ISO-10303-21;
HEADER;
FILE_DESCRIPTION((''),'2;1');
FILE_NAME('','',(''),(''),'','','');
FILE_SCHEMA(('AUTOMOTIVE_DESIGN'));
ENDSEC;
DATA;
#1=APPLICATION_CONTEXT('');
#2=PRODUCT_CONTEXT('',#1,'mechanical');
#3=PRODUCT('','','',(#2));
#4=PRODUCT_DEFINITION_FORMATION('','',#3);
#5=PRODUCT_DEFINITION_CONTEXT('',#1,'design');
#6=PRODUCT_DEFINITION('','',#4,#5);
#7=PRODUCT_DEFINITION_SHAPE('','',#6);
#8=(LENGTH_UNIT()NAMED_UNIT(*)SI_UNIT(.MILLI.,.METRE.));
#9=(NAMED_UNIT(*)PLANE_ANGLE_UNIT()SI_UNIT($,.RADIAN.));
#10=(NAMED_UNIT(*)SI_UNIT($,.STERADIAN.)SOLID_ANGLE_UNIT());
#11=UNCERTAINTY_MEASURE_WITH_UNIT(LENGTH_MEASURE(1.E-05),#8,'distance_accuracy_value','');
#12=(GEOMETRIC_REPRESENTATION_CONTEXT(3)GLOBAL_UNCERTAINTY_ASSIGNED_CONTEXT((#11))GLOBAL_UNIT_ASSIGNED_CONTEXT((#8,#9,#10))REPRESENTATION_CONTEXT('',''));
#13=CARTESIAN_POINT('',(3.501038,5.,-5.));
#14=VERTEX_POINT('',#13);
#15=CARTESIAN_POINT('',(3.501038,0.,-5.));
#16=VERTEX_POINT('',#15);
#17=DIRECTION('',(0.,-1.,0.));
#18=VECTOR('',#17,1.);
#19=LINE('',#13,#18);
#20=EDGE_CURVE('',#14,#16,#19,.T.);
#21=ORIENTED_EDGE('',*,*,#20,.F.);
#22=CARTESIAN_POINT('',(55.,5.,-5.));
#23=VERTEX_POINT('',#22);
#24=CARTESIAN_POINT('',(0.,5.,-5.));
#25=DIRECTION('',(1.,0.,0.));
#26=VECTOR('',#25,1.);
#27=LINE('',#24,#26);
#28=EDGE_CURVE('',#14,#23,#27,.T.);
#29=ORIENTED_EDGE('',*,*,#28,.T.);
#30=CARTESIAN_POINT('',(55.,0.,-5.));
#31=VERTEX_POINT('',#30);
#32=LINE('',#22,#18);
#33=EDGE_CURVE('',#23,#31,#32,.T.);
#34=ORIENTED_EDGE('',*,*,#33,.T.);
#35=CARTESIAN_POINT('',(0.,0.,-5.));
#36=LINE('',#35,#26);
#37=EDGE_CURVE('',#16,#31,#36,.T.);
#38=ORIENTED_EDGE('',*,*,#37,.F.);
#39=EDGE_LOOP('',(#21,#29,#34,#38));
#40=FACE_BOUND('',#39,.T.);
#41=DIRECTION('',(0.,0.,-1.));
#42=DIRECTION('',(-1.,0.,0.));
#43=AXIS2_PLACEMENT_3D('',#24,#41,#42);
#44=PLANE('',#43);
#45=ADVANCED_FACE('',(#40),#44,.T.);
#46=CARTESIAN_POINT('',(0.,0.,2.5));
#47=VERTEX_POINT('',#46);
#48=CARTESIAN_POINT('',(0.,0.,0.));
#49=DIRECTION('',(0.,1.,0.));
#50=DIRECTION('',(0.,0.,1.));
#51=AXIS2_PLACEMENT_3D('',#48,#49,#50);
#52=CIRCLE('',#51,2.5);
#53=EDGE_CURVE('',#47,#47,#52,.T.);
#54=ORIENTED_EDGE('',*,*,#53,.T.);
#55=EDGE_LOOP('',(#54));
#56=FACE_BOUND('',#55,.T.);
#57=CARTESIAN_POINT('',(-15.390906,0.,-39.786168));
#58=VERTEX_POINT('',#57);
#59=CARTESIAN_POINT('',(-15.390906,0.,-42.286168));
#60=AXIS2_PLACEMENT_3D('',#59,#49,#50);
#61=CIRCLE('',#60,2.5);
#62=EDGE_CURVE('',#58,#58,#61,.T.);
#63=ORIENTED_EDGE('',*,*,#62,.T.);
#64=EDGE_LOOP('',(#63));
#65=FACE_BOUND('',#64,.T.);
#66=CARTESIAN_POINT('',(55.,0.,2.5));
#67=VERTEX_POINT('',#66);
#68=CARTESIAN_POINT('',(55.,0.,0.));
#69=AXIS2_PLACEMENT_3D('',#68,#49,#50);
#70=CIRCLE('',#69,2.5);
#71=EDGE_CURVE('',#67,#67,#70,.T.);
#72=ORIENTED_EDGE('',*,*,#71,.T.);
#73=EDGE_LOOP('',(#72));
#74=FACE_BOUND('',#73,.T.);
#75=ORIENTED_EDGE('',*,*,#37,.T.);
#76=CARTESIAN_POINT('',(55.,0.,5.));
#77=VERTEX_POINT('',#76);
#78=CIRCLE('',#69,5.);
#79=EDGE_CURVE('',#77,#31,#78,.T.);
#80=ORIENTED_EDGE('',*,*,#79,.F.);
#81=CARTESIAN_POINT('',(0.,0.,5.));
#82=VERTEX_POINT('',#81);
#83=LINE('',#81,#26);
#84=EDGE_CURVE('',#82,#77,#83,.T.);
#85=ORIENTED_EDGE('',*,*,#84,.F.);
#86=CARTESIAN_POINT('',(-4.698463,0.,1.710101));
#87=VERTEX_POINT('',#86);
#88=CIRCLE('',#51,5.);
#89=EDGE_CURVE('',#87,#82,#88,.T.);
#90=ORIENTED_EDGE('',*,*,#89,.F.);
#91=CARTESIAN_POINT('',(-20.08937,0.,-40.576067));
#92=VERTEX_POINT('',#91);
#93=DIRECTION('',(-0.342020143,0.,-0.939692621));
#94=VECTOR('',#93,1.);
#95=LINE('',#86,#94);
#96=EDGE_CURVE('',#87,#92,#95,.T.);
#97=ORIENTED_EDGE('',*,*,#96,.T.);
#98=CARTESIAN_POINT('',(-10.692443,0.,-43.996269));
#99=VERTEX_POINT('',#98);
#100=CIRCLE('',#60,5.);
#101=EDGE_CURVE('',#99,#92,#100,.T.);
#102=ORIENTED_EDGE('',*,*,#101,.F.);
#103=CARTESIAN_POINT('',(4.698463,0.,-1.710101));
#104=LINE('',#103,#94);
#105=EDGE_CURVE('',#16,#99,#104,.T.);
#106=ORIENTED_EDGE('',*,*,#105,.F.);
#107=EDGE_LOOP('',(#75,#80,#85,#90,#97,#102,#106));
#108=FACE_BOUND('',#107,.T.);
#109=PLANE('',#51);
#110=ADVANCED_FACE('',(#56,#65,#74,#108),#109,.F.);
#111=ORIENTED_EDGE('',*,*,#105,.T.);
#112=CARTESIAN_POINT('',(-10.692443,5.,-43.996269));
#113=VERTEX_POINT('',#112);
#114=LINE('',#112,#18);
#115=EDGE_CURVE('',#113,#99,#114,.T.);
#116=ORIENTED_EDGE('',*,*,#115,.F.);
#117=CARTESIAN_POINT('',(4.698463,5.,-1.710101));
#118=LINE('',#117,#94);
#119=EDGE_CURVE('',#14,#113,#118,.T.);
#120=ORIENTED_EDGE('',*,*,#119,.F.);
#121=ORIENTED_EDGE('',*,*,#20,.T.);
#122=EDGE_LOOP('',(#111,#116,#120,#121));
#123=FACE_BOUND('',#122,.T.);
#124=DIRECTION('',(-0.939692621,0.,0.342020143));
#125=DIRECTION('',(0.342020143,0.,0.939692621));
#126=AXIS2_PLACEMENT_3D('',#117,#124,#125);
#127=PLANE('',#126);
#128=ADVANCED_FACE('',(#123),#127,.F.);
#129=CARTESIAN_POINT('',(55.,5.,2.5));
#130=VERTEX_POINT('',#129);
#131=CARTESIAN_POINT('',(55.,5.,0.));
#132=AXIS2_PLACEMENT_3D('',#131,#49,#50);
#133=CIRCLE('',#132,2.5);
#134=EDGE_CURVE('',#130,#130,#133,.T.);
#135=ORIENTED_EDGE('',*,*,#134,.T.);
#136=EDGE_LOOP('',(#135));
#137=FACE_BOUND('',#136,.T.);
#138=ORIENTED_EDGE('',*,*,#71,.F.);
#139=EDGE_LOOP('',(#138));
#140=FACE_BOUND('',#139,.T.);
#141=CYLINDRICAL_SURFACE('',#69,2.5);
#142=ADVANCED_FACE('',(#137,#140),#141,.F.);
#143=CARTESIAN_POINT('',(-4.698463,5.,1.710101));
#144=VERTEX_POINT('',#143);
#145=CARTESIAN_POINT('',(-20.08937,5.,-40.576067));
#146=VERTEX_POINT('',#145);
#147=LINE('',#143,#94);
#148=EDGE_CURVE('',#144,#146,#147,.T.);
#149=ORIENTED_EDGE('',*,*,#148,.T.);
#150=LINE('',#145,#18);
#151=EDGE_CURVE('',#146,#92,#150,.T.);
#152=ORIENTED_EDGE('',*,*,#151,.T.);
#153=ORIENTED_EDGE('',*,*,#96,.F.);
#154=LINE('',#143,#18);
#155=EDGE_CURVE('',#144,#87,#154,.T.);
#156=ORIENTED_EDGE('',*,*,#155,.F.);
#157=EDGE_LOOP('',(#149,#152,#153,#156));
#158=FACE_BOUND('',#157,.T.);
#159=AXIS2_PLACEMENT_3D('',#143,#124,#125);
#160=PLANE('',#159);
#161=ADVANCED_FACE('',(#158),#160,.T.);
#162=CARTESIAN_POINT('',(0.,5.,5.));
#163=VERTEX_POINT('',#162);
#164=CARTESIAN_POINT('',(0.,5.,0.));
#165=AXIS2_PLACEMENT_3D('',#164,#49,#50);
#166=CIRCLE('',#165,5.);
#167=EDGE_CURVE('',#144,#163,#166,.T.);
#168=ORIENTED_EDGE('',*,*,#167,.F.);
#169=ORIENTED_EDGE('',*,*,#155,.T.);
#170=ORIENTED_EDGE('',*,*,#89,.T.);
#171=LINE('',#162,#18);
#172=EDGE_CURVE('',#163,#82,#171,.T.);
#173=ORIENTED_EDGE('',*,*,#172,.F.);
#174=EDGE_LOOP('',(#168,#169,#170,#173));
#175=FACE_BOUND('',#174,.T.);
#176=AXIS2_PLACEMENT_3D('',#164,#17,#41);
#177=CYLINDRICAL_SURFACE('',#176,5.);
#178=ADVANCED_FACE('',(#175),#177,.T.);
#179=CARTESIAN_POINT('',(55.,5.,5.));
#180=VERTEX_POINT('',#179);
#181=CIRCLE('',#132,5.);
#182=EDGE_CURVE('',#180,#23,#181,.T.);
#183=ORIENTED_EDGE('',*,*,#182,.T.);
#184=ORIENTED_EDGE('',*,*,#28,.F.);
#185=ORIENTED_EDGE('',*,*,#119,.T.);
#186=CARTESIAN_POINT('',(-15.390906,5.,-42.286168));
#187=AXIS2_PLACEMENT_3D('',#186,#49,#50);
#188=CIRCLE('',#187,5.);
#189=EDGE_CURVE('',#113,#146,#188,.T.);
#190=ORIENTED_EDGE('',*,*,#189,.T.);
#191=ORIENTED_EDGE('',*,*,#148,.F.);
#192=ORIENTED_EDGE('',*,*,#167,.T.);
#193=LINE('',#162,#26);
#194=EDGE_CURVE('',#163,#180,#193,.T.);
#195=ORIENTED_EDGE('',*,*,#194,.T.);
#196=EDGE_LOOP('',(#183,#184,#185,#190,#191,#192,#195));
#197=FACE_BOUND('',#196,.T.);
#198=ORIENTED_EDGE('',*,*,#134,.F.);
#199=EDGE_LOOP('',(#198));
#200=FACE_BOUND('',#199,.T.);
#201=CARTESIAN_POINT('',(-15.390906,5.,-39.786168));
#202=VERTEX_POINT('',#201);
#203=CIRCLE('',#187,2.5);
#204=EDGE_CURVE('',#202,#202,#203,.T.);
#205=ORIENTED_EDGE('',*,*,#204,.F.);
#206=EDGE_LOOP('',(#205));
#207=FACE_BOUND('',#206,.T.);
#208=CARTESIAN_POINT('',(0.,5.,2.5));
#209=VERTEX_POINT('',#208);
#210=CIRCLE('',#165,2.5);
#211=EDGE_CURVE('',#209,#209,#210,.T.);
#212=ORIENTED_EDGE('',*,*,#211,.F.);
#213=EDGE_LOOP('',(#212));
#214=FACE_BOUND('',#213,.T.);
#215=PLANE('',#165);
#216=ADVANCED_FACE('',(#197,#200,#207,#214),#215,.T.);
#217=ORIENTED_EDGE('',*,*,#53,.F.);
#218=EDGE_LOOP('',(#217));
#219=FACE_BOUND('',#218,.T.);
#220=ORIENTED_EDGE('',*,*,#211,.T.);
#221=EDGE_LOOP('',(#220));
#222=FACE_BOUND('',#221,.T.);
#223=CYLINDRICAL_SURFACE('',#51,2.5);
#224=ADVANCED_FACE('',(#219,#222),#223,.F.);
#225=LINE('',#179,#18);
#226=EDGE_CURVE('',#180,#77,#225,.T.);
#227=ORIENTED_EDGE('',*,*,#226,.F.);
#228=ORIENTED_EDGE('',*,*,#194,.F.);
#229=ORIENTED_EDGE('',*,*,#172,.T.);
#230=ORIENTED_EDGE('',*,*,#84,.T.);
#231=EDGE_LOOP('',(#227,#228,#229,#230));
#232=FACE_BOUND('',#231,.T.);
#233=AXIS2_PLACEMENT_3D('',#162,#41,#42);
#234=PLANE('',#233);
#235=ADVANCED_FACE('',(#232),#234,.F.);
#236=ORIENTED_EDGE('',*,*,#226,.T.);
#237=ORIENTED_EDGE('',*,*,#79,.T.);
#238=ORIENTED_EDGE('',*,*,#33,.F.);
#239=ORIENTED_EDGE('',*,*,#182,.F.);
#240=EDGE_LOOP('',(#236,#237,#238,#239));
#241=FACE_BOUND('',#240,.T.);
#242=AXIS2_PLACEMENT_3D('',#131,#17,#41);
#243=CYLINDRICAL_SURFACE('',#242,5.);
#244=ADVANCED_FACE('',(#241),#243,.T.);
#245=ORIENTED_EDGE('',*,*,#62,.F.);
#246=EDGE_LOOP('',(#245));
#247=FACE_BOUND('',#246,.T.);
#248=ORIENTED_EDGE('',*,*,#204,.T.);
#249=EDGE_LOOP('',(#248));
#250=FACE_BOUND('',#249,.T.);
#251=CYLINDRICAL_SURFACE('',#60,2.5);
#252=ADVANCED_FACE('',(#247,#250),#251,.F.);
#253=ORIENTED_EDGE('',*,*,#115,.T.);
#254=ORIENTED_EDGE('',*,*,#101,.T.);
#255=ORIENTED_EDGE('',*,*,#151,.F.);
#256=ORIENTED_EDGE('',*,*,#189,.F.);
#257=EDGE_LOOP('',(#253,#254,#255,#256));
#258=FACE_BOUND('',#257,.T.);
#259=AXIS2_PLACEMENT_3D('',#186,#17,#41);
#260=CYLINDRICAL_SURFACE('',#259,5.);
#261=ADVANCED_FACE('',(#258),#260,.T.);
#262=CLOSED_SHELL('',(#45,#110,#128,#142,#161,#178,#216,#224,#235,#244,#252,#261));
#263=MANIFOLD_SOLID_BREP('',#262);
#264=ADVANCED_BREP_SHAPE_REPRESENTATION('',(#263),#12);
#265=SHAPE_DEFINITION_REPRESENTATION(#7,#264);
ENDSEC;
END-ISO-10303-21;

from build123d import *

# Parameters (mm, degrees)
BOSS_EXTRU_1_DEPTH      = 5
ESQUISSE3_R             = 2.5
ENL_V_MAT_EXTRU_1_DEPTH = 5
ESQUISSE4_R             = 2.5
ENL_V_MAT_EXTRU_2_DEPTH = 5


with BuildPart() as part:
    # Esquisse2 → Boss.-Extru.1 (new body)
    with BuildSketch(Plane(origin=(0, 0, 0), x_dir=(1, 0, 0), z_dir=(0, 1, 0))):
        with BuildLine():
            ThreePointArc((-4.698463104, -1.710100717), (-4.095760221, 2.867882182), (0, 5))
            Line((0, 5), (3.501037691, 5))
            Line((3.501037691, 5), (-10.692443346, 43.996268652))
            ThreePointArc((-10.692443346, 43.996268652), (-17.101007166, 46.984631039), (-20.089369554, 40.576067219))
            Line((-20.089369554, 40.576067219), (-4.698463104, -1.710100717))
        make_face()
        with BuildLine():
            Line((55, 5), (3.501037691, 5))
            Line((3.501037691, 5), (4.698463104, 1.710100717))
            ThreePointArc((4.698463104, 1.710100717), (4.095760221, -2.867882182), (0, -5))
            Line((0, -5), (55, -5))
            ThreePointArc((55, -5), (60, 0), (55, 5))
        make_face()
        with BuildLine():
            Line((3.501037691, 5), (0, 5))
            ThreePointArc((0, 5), (-4.095760221, 2.867882182), (-4.698463104, -1.710100717))
            ThreePointArc((-4.698463104, -1.710100717), (-2.867882182, -4.095760221), (0, -5))
            ThreePointArc((0, -5), (4.095760221, -2.867882182), (4.698463104, 1.710100717))
            Line((4.698463104, 1.710100717), (3.501037691, 5))
        make_face()
    extrude(amount=BOSS_EXTRU_1_DEPTH)

    # Esquisse3 → Enlèv. mat.-Extru.1 (cut)
    with BuildSketch(Plane(origin=(0, 5, 0), x_dir=(1, 0, 0), z_dir=(0, 1, 0))):
        with Locations(Location((-15.39090645, 42.286167935, 0), (0, 0, 270))):
            Circle(ESQUISSE3_R)
        with Locations(Location((55, 0, 0), (0, 0, 270))):
            Circle(ESQUISSE3_R)
    extrude(amount=-ENL_V_MAT_EXTRU_1_DEPTH, mode=Mode.SUBTRACT)

    # Esquisse4 → Enlèv. mat.-Extru.2 (cut)
    with BuildSketch(Plane(origin=(0, 5, 0), x_dir=(1, 0, 0), z_dir=(0, 1, 0))):
        with Locations(Location((0, 0, 0), (0, 0, 270))):
            Circle(ESQUISSE4_R)
    extrude(amount=-ENL_V_MAT_EXTRU_2_DEPTH, mode=Mode.SUBTRACT)


solid = part.part
